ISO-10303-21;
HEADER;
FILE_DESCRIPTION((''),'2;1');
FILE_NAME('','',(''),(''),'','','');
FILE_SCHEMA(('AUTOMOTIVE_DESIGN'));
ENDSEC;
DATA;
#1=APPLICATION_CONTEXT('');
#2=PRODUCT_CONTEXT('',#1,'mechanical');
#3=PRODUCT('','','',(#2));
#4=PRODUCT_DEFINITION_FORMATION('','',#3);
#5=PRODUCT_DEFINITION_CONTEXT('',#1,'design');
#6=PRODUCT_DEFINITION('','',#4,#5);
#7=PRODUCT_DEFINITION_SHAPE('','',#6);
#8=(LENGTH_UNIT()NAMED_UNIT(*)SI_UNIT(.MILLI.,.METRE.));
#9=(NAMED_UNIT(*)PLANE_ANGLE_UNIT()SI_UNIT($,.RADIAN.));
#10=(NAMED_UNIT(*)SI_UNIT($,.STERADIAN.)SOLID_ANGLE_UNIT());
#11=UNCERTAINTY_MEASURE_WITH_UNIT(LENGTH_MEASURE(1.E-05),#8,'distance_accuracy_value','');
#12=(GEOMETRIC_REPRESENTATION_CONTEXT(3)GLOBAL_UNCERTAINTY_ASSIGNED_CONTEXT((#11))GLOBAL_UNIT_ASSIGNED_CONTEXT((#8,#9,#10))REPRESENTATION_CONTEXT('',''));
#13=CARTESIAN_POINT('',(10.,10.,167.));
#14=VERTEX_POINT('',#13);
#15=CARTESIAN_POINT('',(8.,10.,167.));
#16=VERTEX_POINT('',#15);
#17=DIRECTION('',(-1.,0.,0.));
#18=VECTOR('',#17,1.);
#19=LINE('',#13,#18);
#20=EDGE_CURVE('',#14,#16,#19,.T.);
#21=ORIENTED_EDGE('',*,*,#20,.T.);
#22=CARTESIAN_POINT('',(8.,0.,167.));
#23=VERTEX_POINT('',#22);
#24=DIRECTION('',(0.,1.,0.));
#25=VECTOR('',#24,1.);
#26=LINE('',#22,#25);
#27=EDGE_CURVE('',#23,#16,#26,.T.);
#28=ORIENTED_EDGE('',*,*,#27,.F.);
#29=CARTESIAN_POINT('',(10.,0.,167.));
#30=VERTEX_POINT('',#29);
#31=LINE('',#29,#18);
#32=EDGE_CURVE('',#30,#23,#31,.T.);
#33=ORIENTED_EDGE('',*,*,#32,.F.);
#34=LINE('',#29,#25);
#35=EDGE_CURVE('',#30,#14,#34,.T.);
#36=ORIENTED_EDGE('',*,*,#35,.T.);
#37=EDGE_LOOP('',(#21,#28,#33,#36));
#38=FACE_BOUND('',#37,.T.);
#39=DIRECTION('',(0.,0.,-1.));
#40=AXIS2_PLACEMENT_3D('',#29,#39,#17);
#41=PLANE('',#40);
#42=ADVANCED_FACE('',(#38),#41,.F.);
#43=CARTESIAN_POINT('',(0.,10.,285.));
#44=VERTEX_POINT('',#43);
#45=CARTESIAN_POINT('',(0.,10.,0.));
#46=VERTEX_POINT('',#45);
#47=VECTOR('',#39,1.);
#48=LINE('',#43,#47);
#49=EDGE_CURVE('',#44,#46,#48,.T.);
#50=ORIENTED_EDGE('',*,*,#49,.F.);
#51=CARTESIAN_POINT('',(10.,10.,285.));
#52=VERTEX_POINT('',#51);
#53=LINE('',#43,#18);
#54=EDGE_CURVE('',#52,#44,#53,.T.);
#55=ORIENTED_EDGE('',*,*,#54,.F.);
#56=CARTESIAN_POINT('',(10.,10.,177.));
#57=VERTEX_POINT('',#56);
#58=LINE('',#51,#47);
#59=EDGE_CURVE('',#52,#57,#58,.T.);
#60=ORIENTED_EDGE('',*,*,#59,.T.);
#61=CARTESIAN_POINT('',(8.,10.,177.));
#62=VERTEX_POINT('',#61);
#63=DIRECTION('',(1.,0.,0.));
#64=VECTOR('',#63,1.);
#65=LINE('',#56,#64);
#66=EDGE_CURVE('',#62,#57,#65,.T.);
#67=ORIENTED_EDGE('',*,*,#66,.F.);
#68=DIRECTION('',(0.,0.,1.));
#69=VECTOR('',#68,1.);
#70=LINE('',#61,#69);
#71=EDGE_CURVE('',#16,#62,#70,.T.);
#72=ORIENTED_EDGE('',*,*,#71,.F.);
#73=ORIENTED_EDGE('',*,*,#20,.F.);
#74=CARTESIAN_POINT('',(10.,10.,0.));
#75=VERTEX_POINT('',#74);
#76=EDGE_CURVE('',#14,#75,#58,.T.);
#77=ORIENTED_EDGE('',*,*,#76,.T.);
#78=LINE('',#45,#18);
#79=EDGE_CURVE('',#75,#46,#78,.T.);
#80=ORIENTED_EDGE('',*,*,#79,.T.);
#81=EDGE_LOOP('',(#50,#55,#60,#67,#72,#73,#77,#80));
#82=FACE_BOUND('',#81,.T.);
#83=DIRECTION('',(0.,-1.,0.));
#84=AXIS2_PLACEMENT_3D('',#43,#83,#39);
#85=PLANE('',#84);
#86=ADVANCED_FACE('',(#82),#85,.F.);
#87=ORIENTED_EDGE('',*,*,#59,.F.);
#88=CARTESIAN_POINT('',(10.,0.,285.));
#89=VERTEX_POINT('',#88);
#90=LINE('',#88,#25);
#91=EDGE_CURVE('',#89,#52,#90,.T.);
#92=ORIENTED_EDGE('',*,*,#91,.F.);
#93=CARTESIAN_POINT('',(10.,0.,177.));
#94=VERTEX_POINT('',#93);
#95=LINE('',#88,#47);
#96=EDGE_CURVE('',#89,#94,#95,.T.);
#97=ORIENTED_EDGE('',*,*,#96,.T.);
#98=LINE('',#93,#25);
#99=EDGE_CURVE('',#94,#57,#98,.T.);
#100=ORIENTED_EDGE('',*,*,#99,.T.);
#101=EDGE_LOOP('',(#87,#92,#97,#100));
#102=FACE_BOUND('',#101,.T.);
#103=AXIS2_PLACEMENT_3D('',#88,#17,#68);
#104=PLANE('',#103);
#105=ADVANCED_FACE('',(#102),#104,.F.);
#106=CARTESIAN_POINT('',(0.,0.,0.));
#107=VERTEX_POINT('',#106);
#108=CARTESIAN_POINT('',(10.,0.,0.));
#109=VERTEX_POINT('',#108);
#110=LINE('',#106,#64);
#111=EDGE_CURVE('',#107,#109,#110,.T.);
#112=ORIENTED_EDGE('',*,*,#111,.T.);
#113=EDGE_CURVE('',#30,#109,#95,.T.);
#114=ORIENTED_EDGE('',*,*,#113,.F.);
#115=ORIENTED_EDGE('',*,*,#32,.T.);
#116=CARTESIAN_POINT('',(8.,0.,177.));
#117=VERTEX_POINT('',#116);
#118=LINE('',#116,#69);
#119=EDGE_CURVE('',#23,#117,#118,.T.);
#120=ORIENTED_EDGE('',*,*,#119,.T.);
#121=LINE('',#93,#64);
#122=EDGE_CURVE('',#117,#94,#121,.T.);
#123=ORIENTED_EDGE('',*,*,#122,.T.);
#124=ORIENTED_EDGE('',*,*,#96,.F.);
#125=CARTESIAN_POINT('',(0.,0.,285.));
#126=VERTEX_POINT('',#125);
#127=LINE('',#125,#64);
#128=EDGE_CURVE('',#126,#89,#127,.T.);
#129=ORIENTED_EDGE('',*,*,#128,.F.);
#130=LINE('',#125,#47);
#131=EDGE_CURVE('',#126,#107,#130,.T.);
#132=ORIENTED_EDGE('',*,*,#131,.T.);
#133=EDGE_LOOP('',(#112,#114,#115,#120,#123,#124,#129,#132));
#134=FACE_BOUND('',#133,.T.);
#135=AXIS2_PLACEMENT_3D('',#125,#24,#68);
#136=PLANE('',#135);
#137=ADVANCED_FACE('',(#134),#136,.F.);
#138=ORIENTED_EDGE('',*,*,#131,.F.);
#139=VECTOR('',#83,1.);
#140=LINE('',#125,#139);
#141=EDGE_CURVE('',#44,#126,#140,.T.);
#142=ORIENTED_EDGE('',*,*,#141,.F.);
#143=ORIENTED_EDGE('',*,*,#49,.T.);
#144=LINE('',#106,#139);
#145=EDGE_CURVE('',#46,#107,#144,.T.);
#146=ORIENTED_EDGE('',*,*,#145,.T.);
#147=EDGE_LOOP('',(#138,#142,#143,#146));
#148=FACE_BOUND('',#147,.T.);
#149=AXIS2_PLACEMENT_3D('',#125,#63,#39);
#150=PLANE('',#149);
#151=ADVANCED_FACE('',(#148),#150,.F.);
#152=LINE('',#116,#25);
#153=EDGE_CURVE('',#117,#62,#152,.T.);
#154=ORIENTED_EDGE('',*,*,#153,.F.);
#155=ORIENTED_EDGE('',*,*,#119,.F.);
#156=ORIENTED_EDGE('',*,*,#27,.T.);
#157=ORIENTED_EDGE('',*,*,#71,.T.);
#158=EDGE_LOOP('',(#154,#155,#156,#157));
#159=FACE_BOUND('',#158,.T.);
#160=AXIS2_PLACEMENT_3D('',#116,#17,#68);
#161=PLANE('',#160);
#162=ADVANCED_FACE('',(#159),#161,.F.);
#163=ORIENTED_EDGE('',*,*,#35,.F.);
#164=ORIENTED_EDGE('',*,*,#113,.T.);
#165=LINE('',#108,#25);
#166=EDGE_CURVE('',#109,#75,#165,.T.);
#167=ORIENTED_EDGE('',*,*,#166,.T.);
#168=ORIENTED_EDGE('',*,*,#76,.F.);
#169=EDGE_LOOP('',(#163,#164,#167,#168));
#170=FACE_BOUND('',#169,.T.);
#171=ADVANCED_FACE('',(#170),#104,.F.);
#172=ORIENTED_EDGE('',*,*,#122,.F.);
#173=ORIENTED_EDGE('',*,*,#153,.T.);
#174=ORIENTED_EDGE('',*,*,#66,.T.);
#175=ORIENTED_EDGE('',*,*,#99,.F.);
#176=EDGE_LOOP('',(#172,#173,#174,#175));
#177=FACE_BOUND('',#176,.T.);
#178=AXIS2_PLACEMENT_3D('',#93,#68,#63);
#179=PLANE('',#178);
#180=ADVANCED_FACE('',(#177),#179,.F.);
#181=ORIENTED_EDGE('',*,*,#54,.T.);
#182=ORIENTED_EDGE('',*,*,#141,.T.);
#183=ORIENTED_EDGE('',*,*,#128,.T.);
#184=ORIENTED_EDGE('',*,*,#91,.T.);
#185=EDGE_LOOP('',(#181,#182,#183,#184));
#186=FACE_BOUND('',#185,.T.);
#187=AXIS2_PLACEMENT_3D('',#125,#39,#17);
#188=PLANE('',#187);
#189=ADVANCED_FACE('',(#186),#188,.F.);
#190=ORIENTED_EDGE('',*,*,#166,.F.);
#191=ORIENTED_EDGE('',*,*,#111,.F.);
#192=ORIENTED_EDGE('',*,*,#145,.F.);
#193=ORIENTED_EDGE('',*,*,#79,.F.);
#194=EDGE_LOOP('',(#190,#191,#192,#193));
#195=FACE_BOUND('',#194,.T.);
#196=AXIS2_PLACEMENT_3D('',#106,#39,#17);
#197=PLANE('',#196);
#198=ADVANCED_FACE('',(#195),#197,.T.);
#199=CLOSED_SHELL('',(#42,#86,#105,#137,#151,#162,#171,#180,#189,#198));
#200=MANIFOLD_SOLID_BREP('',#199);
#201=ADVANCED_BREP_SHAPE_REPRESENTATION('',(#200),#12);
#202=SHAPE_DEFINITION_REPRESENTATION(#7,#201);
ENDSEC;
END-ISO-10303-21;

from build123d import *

# Parameters (mm, degrees)
ESQUISSE1_W             = 10
ESQUISSE1_H             = 10
BOSS_EXTRU_1_DEPTH      = 285
ESQUISSE2_W             = 2
ESQUISSE2_H             = 10
ENL_V_MAT_EXTRU_1_DEPTH = 286.350661468


with BuildPart() as part:
    # Esquisse1 → Boss.-Extru.1 (new body)
    with BuildSketch(Plane.XY):
        with Locations((5, 5)):
            Rectangle(ESQUISSE1_W, ESQUISSE1_H)
    extrude(amount=BOSS_EXTRU_1_DEPTH)

    # Esquisse2 → Enlèv. mat.-Extru.1 (cut, through all)
    with BuildSketch(Plane(origin=(0, 10, 0), x_dir=(1, 0, 0), z_dir=(0, 1, 0))):
        with Locations((9, -172)):
            Rectangle(ESQUISSE2_W, ESQUISSE2_H)
    extrude(amount=-ENL_V_MAT_EXTRU_1_DEPTH, mode=Mode.SUBTRACT)


solid = part.part
